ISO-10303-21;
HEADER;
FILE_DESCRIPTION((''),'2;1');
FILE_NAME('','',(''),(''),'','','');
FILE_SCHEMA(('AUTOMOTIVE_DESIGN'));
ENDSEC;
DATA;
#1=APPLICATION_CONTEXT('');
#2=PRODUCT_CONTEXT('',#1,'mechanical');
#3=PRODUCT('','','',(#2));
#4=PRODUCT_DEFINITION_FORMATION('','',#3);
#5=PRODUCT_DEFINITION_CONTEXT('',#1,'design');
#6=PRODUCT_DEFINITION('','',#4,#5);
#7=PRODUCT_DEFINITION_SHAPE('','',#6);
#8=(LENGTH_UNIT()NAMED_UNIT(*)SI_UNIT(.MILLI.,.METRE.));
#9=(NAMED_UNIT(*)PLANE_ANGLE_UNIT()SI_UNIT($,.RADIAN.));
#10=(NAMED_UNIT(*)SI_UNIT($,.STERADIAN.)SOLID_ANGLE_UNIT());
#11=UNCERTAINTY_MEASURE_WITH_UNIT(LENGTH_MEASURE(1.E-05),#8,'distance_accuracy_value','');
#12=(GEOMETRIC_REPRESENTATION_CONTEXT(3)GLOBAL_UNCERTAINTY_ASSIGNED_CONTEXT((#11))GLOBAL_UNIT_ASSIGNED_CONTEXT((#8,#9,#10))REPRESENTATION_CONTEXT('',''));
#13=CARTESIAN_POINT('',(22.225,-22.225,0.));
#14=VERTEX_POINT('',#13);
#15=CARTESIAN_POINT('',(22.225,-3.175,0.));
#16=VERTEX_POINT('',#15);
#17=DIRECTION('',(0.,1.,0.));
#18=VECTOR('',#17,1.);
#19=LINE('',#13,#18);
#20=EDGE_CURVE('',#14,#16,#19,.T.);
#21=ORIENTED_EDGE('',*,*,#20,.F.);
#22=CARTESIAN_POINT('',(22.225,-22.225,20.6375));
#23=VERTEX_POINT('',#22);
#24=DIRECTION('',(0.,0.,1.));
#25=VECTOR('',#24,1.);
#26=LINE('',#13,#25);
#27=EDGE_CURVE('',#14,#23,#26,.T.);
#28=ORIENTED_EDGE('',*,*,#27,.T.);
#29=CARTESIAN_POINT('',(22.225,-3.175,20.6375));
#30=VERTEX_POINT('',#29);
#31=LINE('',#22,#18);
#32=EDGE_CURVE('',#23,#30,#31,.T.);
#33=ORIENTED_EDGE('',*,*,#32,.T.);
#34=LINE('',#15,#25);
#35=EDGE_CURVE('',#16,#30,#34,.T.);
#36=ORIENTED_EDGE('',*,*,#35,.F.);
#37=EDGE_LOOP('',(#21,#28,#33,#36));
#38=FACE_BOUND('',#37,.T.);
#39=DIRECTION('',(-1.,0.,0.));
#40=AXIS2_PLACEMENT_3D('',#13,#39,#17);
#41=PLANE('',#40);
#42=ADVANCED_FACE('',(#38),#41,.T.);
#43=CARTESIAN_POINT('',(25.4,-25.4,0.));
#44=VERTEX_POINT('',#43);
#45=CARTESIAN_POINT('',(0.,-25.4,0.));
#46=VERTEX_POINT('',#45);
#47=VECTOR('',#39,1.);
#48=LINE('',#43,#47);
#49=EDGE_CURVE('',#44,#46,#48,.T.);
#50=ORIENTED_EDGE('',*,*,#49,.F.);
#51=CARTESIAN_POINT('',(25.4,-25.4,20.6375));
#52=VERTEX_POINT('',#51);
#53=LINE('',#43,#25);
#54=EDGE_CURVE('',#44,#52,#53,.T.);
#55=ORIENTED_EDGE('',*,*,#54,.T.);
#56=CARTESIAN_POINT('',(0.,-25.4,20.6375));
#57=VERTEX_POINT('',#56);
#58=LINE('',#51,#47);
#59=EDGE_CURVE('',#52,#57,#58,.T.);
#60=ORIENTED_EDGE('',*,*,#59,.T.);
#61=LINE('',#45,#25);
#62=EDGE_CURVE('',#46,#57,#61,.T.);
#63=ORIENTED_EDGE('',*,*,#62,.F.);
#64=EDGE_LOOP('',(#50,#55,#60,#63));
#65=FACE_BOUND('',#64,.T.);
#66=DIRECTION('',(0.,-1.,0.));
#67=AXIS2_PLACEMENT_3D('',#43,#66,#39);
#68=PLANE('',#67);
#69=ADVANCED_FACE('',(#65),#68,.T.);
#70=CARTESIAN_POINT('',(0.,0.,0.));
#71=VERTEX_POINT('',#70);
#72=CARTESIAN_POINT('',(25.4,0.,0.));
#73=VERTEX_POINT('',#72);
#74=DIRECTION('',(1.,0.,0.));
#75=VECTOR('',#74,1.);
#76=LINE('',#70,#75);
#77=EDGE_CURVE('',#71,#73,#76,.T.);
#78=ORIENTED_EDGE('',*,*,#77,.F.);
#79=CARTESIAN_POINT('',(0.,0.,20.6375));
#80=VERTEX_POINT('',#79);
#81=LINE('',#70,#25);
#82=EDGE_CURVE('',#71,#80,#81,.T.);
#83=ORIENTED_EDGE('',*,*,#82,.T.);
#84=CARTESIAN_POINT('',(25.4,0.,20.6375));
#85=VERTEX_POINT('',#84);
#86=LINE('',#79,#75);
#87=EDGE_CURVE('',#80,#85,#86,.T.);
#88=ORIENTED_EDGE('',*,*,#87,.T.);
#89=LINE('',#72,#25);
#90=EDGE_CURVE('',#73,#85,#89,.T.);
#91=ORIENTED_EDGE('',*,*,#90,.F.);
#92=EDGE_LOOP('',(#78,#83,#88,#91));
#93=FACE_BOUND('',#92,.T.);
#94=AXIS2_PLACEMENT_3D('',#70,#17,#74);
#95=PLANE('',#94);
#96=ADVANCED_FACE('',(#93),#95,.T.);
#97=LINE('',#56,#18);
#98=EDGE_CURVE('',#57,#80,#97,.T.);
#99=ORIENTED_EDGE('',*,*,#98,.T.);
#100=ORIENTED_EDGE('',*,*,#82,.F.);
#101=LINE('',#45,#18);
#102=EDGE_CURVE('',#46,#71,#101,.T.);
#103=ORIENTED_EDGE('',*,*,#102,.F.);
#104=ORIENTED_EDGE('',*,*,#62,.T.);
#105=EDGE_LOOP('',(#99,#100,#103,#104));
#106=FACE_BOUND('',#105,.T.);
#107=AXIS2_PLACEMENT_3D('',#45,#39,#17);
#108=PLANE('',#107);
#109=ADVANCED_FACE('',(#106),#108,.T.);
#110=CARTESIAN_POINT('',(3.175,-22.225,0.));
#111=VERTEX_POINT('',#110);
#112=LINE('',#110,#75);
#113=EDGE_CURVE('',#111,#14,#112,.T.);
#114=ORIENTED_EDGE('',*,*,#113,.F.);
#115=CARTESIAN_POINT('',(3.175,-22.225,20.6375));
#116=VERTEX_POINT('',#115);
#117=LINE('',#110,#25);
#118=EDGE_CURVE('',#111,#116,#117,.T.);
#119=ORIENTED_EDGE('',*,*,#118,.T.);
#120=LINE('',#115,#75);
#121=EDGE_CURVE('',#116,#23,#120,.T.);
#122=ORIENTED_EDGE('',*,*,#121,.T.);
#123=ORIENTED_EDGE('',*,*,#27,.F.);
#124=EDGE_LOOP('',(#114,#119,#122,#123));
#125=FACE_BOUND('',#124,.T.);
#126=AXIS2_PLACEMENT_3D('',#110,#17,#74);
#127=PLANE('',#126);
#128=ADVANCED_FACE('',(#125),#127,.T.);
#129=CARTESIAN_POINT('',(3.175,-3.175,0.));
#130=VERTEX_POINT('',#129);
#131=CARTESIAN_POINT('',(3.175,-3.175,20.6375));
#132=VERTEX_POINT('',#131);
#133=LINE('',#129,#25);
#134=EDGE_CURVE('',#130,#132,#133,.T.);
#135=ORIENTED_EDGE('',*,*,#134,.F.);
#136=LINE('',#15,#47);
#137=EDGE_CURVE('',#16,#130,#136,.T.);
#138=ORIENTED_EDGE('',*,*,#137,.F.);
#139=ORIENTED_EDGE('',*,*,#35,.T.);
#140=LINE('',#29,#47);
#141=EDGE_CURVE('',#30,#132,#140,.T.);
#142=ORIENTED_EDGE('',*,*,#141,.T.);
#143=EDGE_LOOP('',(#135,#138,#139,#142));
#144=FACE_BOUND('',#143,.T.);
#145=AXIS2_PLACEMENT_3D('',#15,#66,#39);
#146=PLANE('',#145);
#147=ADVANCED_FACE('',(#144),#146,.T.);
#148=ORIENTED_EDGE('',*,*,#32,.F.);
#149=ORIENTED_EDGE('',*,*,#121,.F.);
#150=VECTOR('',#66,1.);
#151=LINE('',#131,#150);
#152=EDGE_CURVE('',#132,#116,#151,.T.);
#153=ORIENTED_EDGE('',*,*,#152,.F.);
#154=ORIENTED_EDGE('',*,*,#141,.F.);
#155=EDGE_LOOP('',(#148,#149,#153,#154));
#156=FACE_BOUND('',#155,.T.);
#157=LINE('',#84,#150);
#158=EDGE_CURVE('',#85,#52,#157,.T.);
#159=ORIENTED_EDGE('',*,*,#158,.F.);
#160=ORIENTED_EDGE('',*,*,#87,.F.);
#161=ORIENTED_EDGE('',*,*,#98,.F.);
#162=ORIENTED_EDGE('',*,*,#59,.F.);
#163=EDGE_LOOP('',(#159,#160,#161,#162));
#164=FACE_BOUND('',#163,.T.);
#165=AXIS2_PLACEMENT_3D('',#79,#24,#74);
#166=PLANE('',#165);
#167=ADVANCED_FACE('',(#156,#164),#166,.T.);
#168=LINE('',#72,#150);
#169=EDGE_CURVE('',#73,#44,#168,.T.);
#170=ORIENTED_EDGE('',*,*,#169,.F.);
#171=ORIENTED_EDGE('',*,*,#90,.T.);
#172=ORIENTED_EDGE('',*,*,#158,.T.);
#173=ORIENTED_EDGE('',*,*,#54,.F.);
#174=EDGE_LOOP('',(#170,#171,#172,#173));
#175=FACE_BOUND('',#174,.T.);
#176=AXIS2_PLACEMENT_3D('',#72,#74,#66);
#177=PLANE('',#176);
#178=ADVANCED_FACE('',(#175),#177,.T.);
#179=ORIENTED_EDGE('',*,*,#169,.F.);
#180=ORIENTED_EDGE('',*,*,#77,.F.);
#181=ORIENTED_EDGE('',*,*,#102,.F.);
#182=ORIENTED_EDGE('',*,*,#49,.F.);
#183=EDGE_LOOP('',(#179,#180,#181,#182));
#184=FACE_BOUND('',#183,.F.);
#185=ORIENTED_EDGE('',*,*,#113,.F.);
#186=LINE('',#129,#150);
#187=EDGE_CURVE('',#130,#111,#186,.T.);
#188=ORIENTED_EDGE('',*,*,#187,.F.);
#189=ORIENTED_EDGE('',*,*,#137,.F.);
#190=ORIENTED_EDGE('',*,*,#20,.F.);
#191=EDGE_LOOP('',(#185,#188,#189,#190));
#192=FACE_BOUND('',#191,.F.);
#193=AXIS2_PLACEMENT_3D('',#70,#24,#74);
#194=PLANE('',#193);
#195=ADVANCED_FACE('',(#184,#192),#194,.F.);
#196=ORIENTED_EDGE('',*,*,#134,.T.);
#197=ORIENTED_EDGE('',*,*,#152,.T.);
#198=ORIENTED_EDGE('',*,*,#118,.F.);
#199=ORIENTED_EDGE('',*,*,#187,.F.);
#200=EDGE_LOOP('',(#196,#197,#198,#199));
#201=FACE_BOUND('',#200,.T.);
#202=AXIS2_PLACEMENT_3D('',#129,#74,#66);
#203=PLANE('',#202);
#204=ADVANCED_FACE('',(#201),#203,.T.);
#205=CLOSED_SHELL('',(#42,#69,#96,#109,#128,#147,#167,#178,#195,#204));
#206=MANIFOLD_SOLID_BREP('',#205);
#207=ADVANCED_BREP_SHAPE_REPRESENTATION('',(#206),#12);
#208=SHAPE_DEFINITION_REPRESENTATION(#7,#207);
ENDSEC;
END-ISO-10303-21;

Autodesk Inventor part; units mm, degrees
ref_plane "YZ Plane" through (0, 0, 0) normal (1, 0, 0) x (0, 1, 0)
ref_plane "XZ Plane" through (0, 0, 0) normal (0, 1, 0) x (-1, 0, 0)
ref_plane "XY Plane" through (0, 0, 0) normal (0, 0, 1) x (1, 0, 0)
sketch "Sketch1" plane through (0, 0, 0) normal (0, 0, 1) x (1, 0, 0)
  line L0 (0, 0) -> (25.4, 0)
  line L1 (25.4, 0) -> (25.4, -25.4)
  line L2 (25.4, -25.4) -> (0, -25.4)
  line L3 (0, -25.4) -> (0, 0)
  line L4 (22.225, -3.175) -> (3.175, -3.175)
  line L5 (3.175, -3.175) -> (3.175, -22.225)
  line L6 (3.175, -22.225) -> (22.225, -22.225)
  line L7 (22.225, -22.225) -> (22.225, -3.175)
  dimension "d0" = 25.4
  dimension "d1" = 25.4
  dimension "d2" = 3.175
extrude "Extrusion1" add sketch "Sketch1" along normal blind 20.6375
properties part number "1in Spacer Elevator"
